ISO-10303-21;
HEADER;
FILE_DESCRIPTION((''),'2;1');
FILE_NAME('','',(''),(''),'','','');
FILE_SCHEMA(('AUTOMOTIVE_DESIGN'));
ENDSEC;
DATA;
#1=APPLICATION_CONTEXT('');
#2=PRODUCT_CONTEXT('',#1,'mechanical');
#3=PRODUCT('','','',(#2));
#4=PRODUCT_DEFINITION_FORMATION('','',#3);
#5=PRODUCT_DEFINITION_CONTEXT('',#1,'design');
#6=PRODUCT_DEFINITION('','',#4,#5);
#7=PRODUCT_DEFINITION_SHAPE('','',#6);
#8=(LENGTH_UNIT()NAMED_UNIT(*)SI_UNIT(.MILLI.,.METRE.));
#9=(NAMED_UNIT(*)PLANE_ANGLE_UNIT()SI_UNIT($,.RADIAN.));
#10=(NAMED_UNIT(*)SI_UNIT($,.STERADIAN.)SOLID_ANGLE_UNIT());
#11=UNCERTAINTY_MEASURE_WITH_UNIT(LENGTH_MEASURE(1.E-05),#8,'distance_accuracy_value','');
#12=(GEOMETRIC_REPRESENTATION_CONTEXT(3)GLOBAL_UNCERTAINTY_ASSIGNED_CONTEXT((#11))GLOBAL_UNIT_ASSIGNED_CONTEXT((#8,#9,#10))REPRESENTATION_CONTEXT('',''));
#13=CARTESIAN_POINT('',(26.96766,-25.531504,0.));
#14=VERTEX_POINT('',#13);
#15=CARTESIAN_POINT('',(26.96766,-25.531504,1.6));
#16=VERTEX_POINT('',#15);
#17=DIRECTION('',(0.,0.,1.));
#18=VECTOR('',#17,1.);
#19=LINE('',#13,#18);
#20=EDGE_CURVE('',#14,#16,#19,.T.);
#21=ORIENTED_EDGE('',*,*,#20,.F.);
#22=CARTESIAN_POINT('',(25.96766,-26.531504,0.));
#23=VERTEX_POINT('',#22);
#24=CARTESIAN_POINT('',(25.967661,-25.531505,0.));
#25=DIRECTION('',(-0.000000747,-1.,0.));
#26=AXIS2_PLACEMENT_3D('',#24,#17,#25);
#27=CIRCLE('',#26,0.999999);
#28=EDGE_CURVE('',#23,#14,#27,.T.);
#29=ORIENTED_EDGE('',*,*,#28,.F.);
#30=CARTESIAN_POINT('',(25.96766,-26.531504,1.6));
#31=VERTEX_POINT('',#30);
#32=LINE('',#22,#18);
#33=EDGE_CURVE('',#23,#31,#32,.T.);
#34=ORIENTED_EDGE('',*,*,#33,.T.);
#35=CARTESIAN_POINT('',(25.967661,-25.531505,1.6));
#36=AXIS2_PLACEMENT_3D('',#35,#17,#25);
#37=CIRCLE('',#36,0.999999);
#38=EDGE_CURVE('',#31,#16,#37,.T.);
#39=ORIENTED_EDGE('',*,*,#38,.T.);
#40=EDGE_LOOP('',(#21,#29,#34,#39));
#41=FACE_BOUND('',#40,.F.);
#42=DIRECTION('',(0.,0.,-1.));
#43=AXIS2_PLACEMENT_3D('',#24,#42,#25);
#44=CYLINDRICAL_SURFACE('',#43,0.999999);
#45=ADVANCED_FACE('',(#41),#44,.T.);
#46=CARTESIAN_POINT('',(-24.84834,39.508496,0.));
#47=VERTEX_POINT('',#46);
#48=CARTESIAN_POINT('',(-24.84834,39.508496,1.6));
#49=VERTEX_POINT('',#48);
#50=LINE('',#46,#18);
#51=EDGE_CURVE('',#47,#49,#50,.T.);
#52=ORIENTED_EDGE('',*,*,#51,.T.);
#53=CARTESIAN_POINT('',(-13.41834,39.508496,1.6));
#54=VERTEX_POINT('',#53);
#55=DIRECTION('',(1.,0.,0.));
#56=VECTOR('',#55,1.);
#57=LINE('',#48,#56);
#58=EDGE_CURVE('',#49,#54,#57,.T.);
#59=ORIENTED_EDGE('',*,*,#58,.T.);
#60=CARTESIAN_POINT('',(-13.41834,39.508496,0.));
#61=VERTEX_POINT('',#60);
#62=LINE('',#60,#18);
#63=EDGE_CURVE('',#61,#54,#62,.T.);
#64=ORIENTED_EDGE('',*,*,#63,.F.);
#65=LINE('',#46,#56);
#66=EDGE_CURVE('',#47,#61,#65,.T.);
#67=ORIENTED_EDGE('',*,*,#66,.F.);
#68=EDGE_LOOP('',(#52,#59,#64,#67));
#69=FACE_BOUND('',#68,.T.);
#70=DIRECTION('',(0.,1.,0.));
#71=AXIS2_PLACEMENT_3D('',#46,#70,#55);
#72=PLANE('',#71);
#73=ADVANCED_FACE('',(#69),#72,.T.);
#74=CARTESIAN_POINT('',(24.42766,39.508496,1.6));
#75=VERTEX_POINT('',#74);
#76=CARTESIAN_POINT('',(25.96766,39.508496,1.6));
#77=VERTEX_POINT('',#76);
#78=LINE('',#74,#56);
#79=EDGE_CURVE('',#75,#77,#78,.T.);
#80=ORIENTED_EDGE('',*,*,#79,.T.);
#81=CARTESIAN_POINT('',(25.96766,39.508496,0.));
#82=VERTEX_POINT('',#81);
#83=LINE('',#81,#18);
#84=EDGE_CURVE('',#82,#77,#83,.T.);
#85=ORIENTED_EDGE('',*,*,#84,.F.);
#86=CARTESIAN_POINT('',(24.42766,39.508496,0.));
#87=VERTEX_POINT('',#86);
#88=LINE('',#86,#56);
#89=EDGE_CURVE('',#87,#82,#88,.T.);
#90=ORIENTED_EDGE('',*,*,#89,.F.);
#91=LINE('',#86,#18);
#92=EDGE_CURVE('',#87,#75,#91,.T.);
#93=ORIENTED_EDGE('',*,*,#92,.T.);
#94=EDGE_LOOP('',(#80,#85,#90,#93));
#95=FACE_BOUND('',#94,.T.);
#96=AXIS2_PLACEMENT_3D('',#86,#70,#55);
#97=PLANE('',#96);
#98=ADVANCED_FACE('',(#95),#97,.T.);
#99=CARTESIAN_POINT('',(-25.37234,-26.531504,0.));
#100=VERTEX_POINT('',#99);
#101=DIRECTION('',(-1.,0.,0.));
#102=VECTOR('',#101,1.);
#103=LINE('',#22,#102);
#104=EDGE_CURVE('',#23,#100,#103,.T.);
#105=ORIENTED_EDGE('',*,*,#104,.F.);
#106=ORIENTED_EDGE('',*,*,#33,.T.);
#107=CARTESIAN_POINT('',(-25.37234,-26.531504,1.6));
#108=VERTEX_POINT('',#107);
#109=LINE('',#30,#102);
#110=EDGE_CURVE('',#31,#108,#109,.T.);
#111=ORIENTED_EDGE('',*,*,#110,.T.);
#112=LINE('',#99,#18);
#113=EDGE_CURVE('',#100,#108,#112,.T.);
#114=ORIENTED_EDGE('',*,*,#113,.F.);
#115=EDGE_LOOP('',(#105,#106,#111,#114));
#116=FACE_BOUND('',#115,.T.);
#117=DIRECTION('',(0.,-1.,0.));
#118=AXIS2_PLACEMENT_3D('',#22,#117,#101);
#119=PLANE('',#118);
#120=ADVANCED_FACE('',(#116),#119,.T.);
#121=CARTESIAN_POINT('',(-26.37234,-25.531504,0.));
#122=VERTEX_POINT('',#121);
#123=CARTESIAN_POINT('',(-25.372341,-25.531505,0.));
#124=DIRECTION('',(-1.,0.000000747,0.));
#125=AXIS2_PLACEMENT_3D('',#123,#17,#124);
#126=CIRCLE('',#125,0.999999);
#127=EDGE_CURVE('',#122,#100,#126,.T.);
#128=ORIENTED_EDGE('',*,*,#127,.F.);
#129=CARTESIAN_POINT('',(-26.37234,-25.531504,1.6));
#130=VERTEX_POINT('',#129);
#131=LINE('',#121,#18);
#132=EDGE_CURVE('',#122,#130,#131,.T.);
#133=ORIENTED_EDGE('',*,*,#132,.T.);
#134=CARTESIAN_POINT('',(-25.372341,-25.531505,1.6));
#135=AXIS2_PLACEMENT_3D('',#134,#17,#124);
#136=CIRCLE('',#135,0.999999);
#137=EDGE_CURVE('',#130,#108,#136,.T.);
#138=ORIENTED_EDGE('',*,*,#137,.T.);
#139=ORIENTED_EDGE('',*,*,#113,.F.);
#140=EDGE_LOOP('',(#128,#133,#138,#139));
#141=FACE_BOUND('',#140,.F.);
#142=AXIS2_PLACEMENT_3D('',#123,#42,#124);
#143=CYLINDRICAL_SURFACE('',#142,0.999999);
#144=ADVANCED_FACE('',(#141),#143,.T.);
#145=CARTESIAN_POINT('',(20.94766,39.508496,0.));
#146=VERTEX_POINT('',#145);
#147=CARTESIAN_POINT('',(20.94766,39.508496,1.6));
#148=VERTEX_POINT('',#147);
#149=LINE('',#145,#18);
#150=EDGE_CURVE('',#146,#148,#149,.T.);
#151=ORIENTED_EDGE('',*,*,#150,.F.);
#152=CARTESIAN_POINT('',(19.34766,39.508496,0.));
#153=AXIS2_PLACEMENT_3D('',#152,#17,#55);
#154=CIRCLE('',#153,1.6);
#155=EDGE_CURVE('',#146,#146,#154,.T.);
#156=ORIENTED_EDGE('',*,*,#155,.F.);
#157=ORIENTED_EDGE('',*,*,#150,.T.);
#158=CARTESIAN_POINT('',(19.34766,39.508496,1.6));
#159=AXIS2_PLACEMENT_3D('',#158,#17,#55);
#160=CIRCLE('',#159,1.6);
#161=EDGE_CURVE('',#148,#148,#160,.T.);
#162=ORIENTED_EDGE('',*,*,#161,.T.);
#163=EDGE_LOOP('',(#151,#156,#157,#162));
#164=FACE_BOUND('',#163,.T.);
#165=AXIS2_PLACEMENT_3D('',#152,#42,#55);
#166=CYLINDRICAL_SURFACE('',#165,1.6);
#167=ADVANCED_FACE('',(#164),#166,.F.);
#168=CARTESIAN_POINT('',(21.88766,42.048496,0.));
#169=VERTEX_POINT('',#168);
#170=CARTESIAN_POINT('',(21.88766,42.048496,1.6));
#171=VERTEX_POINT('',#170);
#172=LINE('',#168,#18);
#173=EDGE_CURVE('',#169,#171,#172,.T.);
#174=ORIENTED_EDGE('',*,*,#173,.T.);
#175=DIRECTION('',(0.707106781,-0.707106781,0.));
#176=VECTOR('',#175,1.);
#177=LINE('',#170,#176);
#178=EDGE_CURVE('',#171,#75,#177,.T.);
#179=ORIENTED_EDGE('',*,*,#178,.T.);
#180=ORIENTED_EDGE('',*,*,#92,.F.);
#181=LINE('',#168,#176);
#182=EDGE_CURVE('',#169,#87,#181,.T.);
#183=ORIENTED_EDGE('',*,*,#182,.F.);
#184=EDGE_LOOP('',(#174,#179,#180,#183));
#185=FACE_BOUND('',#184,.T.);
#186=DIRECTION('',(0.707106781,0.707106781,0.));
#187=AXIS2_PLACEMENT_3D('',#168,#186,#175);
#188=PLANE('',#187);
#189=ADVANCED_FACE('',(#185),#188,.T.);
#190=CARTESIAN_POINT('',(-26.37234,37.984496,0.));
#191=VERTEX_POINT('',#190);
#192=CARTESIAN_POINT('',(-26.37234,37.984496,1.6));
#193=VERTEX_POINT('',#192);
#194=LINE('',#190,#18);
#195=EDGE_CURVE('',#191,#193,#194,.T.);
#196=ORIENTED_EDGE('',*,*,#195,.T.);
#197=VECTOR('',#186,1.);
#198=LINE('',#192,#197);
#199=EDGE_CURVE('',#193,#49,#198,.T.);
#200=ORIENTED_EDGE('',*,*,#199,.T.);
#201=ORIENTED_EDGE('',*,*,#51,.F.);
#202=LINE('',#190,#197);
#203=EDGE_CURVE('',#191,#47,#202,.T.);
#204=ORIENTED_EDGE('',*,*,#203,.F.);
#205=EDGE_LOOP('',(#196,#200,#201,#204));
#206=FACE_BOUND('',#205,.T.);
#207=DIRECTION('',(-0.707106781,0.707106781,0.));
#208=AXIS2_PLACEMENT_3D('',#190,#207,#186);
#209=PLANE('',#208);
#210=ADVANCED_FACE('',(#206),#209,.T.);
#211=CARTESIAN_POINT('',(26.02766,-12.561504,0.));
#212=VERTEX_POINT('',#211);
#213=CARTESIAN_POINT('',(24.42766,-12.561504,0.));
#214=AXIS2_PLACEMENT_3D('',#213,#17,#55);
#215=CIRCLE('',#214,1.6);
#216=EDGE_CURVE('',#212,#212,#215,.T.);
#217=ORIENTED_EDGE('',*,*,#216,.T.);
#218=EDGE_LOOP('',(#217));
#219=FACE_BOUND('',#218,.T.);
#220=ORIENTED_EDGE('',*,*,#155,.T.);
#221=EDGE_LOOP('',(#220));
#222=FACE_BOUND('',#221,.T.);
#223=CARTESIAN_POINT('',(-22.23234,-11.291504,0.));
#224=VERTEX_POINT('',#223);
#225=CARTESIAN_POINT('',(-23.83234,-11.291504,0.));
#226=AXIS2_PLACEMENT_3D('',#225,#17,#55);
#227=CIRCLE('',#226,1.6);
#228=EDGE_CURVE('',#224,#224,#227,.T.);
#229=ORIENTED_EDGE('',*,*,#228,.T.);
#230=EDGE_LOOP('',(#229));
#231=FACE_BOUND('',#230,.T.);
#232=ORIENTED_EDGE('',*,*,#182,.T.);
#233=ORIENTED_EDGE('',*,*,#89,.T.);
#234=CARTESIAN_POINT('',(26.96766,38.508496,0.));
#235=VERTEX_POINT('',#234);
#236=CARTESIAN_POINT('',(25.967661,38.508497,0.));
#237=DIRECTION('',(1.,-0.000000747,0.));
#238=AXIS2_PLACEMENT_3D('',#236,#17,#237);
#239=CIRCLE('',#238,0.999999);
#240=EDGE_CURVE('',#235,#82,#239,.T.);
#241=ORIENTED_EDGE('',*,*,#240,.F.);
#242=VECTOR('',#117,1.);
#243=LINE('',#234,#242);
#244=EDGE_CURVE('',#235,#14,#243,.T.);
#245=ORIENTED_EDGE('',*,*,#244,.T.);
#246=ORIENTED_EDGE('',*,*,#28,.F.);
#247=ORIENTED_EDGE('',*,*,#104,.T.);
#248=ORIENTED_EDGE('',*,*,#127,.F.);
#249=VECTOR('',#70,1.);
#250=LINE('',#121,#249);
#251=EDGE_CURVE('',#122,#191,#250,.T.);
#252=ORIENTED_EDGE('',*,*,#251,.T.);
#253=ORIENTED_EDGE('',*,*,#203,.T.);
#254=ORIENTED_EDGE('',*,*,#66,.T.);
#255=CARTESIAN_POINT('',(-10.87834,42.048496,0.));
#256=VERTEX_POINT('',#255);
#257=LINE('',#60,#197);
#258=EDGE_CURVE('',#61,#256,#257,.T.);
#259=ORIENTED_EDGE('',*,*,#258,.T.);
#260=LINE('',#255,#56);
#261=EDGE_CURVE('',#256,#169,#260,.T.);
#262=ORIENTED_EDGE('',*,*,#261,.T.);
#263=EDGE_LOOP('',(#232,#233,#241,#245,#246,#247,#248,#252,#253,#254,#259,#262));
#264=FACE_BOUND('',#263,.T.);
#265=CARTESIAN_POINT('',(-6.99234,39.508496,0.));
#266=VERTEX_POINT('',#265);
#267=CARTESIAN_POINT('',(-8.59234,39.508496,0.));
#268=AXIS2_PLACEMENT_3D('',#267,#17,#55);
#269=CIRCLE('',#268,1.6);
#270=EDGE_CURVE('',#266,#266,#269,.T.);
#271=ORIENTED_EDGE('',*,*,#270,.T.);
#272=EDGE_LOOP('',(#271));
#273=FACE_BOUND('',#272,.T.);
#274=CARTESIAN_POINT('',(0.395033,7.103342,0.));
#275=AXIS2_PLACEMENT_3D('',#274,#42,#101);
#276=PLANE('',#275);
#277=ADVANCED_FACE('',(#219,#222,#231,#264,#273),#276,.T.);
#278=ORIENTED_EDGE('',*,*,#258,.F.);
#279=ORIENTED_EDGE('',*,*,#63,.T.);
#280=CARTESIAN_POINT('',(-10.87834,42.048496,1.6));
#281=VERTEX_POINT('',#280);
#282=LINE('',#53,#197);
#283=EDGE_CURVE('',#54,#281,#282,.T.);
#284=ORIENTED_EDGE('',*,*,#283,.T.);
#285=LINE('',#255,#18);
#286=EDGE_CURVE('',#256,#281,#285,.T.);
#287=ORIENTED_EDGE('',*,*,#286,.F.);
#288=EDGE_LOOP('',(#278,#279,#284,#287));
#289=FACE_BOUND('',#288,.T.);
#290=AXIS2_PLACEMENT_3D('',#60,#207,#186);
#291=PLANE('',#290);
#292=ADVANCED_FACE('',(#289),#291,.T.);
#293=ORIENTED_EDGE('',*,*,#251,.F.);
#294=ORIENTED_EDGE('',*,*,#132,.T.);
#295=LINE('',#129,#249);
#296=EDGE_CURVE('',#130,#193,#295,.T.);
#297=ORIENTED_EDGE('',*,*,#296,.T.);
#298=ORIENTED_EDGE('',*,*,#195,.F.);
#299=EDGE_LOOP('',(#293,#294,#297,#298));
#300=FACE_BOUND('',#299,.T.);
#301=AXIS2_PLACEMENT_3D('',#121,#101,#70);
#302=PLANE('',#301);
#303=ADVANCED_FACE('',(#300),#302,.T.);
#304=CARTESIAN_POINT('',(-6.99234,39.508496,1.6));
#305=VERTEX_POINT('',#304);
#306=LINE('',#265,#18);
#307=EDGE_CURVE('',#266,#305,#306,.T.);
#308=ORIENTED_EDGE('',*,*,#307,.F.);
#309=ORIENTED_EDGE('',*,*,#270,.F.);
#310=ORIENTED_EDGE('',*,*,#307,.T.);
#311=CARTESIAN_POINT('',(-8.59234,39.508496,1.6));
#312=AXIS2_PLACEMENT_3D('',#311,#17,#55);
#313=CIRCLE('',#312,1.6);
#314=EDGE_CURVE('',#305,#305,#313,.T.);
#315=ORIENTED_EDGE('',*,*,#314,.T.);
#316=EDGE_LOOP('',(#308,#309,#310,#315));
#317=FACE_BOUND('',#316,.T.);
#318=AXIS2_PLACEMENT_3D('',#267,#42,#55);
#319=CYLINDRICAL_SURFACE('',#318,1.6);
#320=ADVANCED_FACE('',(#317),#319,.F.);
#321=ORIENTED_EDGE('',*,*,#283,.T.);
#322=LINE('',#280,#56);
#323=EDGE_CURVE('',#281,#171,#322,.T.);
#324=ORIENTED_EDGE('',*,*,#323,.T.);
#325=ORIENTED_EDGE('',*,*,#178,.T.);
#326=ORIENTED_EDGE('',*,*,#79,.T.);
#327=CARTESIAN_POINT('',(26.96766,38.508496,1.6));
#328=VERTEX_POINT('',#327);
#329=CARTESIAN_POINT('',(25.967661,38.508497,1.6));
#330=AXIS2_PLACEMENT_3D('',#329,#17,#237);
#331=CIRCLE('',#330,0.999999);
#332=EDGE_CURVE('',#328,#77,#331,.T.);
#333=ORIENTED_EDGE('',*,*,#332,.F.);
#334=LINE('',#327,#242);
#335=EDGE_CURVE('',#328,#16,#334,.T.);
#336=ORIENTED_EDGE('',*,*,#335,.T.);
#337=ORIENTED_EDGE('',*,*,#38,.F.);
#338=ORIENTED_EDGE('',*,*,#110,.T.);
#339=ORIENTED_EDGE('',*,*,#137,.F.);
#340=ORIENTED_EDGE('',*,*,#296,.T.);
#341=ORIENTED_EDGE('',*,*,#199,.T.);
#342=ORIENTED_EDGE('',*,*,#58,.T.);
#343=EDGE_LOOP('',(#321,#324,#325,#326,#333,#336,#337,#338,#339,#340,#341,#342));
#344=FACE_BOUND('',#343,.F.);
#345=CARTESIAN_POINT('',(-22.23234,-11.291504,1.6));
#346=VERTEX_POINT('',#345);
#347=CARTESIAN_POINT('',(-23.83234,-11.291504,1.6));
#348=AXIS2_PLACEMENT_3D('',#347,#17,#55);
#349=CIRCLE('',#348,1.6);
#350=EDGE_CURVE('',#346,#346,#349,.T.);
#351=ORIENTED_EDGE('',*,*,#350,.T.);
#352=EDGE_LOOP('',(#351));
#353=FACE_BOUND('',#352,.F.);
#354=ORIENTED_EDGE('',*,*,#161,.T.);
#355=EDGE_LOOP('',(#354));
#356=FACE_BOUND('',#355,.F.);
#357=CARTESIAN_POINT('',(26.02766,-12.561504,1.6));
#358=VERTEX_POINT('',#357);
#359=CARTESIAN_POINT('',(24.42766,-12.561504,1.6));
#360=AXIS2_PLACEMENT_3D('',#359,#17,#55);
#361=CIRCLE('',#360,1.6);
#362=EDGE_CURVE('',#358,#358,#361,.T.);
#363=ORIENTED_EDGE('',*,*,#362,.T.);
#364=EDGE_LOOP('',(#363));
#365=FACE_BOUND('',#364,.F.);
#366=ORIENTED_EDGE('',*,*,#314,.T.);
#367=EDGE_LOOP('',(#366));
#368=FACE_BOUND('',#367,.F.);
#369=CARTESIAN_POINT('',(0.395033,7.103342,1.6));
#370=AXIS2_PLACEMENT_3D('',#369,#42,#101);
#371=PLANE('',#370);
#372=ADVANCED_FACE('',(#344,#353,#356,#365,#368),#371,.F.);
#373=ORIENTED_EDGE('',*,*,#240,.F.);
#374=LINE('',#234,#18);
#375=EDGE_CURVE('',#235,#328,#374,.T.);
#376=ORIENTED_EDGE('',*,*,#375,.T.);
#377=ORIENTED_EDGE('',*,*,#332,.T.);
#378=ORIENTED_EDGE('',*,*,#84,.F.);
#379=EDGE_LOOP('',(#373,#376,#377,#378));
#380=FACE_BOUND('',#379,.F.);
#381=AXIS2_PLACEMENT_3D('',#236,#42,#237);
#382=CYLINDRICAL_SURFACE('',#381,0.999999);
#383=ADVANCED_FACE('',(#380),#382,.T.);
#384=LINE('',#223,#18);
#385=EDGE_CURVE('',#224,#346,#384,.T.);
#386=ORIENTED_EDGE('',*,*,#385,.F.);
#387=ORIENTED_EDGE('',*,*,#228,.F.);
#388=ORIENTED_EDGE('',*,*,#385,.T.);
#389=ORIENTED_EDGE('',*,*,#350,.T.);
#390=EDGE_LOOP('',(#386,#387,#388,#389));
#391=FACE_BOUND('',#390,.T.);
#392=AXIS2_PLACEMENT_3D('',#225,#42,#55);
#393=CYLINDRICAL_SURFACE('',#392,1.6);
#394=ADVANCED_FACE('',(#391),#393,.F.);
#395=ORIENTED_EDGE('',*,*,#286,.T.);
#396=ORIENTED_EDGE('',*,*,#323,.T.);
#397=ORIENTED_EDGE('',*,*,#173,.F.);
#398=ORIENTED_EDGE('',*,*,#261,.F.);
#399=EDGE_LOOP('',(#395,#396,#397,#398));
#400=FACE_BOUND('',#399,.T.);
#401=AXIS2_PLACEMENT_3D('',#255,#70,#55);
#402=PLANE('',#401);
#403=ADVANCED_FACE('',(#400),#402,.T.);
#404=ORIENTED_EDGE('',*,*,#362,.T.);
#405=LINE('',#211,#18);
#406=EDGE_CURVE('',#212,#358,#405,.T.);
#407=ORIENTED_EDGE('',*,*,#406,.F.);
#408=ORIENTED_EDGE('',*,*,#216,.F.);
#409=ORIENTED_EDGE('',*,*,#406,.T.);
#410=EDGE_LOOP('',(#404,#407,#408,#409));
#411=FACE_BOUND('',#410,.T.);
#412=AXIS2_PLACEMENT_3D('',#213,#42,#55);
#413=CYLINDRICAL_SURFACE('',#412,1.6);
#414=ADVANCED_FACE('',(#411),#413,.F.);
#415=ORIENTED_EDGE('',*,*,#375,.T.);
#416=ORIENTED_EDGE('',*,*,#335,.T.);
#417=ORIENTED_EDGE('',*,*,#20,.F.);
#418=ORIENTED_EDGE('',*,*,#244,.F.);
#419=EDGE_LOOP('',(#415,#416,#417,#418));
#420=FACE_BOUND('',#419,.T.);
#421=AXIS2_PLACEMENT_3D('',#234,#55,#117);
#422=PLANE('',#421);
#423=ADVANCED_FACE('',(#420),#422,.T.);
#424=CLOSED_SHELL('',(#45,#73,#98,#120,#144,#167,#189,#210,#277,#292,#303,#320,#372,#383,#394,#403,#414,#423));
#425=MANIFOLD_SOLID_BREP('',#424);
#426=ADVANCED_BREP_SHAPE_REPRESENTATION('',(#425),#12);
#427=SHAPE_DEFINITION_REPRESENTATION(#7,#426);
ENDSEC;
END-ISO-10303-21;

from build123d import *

# Parameters (mm, degrees)
SKETCH_R  = 1.6
PAD_DEPTH = 1.6


with BuildPart() as part:
    # Sketch → Pad (new body)
    with BuildSketch(Plane.XY):
        with BuildLine():
            Line((-10.87834, 42.048496), (21.88766, 42.048496))
            Line((21.88766, 42.048496), (24.42766, 39.508496))
            Line((24.42766, 39.508496), (25.96766, 39.508496))
            ThreePointArc((26.96766, 38.508496), (26.674767, 39.215603), (25.96766, 39.508496))
            Line((26.96766, 38.508496), (26.96766, -25.531504))
            ThreePointArc((25.96766, -26.531504), (26.674767, -26.238611), (26.96766, -25.531504))
            Line((25.96766, -26.531504), (-25.37234, -26.531504))
            ThreePointArc((-26.37234, -25.531504), (-26.079447, -26.238611), (-25.37234, -26.531504))
            Line((-26.37234, -25.531504), (-26.37234, 37.984496))
            Line((-26.37234, 37.984496), (-24.84834, 39.508496))
            Line((-24.84834, 39.508496), (-13.41834, 39.508496))
            Line((-13.41834, 39.508496), (-10.87834, 42.048496))
        make_face()
        with Locations((24.42766, -12.561504)):
            Circle(SKETCH_R, mode=Mode.SUBTRACT)
        with Locations((-23.83234, -11.291504)):
            Circle(SKETCH_R, mode=Mode.SUBTRACT)
        with Locations((-8.59234, 39.508496)):
            Circle(SKETCH_R, mode=Mode.SUBTRACT)
        with Locations((19.34766, 39.508496)):
            Circle(SKETCH_R, mode=Mode.SUBTRACT)
    extrude(amount=PAD_DEPTH)


solid = part.part
